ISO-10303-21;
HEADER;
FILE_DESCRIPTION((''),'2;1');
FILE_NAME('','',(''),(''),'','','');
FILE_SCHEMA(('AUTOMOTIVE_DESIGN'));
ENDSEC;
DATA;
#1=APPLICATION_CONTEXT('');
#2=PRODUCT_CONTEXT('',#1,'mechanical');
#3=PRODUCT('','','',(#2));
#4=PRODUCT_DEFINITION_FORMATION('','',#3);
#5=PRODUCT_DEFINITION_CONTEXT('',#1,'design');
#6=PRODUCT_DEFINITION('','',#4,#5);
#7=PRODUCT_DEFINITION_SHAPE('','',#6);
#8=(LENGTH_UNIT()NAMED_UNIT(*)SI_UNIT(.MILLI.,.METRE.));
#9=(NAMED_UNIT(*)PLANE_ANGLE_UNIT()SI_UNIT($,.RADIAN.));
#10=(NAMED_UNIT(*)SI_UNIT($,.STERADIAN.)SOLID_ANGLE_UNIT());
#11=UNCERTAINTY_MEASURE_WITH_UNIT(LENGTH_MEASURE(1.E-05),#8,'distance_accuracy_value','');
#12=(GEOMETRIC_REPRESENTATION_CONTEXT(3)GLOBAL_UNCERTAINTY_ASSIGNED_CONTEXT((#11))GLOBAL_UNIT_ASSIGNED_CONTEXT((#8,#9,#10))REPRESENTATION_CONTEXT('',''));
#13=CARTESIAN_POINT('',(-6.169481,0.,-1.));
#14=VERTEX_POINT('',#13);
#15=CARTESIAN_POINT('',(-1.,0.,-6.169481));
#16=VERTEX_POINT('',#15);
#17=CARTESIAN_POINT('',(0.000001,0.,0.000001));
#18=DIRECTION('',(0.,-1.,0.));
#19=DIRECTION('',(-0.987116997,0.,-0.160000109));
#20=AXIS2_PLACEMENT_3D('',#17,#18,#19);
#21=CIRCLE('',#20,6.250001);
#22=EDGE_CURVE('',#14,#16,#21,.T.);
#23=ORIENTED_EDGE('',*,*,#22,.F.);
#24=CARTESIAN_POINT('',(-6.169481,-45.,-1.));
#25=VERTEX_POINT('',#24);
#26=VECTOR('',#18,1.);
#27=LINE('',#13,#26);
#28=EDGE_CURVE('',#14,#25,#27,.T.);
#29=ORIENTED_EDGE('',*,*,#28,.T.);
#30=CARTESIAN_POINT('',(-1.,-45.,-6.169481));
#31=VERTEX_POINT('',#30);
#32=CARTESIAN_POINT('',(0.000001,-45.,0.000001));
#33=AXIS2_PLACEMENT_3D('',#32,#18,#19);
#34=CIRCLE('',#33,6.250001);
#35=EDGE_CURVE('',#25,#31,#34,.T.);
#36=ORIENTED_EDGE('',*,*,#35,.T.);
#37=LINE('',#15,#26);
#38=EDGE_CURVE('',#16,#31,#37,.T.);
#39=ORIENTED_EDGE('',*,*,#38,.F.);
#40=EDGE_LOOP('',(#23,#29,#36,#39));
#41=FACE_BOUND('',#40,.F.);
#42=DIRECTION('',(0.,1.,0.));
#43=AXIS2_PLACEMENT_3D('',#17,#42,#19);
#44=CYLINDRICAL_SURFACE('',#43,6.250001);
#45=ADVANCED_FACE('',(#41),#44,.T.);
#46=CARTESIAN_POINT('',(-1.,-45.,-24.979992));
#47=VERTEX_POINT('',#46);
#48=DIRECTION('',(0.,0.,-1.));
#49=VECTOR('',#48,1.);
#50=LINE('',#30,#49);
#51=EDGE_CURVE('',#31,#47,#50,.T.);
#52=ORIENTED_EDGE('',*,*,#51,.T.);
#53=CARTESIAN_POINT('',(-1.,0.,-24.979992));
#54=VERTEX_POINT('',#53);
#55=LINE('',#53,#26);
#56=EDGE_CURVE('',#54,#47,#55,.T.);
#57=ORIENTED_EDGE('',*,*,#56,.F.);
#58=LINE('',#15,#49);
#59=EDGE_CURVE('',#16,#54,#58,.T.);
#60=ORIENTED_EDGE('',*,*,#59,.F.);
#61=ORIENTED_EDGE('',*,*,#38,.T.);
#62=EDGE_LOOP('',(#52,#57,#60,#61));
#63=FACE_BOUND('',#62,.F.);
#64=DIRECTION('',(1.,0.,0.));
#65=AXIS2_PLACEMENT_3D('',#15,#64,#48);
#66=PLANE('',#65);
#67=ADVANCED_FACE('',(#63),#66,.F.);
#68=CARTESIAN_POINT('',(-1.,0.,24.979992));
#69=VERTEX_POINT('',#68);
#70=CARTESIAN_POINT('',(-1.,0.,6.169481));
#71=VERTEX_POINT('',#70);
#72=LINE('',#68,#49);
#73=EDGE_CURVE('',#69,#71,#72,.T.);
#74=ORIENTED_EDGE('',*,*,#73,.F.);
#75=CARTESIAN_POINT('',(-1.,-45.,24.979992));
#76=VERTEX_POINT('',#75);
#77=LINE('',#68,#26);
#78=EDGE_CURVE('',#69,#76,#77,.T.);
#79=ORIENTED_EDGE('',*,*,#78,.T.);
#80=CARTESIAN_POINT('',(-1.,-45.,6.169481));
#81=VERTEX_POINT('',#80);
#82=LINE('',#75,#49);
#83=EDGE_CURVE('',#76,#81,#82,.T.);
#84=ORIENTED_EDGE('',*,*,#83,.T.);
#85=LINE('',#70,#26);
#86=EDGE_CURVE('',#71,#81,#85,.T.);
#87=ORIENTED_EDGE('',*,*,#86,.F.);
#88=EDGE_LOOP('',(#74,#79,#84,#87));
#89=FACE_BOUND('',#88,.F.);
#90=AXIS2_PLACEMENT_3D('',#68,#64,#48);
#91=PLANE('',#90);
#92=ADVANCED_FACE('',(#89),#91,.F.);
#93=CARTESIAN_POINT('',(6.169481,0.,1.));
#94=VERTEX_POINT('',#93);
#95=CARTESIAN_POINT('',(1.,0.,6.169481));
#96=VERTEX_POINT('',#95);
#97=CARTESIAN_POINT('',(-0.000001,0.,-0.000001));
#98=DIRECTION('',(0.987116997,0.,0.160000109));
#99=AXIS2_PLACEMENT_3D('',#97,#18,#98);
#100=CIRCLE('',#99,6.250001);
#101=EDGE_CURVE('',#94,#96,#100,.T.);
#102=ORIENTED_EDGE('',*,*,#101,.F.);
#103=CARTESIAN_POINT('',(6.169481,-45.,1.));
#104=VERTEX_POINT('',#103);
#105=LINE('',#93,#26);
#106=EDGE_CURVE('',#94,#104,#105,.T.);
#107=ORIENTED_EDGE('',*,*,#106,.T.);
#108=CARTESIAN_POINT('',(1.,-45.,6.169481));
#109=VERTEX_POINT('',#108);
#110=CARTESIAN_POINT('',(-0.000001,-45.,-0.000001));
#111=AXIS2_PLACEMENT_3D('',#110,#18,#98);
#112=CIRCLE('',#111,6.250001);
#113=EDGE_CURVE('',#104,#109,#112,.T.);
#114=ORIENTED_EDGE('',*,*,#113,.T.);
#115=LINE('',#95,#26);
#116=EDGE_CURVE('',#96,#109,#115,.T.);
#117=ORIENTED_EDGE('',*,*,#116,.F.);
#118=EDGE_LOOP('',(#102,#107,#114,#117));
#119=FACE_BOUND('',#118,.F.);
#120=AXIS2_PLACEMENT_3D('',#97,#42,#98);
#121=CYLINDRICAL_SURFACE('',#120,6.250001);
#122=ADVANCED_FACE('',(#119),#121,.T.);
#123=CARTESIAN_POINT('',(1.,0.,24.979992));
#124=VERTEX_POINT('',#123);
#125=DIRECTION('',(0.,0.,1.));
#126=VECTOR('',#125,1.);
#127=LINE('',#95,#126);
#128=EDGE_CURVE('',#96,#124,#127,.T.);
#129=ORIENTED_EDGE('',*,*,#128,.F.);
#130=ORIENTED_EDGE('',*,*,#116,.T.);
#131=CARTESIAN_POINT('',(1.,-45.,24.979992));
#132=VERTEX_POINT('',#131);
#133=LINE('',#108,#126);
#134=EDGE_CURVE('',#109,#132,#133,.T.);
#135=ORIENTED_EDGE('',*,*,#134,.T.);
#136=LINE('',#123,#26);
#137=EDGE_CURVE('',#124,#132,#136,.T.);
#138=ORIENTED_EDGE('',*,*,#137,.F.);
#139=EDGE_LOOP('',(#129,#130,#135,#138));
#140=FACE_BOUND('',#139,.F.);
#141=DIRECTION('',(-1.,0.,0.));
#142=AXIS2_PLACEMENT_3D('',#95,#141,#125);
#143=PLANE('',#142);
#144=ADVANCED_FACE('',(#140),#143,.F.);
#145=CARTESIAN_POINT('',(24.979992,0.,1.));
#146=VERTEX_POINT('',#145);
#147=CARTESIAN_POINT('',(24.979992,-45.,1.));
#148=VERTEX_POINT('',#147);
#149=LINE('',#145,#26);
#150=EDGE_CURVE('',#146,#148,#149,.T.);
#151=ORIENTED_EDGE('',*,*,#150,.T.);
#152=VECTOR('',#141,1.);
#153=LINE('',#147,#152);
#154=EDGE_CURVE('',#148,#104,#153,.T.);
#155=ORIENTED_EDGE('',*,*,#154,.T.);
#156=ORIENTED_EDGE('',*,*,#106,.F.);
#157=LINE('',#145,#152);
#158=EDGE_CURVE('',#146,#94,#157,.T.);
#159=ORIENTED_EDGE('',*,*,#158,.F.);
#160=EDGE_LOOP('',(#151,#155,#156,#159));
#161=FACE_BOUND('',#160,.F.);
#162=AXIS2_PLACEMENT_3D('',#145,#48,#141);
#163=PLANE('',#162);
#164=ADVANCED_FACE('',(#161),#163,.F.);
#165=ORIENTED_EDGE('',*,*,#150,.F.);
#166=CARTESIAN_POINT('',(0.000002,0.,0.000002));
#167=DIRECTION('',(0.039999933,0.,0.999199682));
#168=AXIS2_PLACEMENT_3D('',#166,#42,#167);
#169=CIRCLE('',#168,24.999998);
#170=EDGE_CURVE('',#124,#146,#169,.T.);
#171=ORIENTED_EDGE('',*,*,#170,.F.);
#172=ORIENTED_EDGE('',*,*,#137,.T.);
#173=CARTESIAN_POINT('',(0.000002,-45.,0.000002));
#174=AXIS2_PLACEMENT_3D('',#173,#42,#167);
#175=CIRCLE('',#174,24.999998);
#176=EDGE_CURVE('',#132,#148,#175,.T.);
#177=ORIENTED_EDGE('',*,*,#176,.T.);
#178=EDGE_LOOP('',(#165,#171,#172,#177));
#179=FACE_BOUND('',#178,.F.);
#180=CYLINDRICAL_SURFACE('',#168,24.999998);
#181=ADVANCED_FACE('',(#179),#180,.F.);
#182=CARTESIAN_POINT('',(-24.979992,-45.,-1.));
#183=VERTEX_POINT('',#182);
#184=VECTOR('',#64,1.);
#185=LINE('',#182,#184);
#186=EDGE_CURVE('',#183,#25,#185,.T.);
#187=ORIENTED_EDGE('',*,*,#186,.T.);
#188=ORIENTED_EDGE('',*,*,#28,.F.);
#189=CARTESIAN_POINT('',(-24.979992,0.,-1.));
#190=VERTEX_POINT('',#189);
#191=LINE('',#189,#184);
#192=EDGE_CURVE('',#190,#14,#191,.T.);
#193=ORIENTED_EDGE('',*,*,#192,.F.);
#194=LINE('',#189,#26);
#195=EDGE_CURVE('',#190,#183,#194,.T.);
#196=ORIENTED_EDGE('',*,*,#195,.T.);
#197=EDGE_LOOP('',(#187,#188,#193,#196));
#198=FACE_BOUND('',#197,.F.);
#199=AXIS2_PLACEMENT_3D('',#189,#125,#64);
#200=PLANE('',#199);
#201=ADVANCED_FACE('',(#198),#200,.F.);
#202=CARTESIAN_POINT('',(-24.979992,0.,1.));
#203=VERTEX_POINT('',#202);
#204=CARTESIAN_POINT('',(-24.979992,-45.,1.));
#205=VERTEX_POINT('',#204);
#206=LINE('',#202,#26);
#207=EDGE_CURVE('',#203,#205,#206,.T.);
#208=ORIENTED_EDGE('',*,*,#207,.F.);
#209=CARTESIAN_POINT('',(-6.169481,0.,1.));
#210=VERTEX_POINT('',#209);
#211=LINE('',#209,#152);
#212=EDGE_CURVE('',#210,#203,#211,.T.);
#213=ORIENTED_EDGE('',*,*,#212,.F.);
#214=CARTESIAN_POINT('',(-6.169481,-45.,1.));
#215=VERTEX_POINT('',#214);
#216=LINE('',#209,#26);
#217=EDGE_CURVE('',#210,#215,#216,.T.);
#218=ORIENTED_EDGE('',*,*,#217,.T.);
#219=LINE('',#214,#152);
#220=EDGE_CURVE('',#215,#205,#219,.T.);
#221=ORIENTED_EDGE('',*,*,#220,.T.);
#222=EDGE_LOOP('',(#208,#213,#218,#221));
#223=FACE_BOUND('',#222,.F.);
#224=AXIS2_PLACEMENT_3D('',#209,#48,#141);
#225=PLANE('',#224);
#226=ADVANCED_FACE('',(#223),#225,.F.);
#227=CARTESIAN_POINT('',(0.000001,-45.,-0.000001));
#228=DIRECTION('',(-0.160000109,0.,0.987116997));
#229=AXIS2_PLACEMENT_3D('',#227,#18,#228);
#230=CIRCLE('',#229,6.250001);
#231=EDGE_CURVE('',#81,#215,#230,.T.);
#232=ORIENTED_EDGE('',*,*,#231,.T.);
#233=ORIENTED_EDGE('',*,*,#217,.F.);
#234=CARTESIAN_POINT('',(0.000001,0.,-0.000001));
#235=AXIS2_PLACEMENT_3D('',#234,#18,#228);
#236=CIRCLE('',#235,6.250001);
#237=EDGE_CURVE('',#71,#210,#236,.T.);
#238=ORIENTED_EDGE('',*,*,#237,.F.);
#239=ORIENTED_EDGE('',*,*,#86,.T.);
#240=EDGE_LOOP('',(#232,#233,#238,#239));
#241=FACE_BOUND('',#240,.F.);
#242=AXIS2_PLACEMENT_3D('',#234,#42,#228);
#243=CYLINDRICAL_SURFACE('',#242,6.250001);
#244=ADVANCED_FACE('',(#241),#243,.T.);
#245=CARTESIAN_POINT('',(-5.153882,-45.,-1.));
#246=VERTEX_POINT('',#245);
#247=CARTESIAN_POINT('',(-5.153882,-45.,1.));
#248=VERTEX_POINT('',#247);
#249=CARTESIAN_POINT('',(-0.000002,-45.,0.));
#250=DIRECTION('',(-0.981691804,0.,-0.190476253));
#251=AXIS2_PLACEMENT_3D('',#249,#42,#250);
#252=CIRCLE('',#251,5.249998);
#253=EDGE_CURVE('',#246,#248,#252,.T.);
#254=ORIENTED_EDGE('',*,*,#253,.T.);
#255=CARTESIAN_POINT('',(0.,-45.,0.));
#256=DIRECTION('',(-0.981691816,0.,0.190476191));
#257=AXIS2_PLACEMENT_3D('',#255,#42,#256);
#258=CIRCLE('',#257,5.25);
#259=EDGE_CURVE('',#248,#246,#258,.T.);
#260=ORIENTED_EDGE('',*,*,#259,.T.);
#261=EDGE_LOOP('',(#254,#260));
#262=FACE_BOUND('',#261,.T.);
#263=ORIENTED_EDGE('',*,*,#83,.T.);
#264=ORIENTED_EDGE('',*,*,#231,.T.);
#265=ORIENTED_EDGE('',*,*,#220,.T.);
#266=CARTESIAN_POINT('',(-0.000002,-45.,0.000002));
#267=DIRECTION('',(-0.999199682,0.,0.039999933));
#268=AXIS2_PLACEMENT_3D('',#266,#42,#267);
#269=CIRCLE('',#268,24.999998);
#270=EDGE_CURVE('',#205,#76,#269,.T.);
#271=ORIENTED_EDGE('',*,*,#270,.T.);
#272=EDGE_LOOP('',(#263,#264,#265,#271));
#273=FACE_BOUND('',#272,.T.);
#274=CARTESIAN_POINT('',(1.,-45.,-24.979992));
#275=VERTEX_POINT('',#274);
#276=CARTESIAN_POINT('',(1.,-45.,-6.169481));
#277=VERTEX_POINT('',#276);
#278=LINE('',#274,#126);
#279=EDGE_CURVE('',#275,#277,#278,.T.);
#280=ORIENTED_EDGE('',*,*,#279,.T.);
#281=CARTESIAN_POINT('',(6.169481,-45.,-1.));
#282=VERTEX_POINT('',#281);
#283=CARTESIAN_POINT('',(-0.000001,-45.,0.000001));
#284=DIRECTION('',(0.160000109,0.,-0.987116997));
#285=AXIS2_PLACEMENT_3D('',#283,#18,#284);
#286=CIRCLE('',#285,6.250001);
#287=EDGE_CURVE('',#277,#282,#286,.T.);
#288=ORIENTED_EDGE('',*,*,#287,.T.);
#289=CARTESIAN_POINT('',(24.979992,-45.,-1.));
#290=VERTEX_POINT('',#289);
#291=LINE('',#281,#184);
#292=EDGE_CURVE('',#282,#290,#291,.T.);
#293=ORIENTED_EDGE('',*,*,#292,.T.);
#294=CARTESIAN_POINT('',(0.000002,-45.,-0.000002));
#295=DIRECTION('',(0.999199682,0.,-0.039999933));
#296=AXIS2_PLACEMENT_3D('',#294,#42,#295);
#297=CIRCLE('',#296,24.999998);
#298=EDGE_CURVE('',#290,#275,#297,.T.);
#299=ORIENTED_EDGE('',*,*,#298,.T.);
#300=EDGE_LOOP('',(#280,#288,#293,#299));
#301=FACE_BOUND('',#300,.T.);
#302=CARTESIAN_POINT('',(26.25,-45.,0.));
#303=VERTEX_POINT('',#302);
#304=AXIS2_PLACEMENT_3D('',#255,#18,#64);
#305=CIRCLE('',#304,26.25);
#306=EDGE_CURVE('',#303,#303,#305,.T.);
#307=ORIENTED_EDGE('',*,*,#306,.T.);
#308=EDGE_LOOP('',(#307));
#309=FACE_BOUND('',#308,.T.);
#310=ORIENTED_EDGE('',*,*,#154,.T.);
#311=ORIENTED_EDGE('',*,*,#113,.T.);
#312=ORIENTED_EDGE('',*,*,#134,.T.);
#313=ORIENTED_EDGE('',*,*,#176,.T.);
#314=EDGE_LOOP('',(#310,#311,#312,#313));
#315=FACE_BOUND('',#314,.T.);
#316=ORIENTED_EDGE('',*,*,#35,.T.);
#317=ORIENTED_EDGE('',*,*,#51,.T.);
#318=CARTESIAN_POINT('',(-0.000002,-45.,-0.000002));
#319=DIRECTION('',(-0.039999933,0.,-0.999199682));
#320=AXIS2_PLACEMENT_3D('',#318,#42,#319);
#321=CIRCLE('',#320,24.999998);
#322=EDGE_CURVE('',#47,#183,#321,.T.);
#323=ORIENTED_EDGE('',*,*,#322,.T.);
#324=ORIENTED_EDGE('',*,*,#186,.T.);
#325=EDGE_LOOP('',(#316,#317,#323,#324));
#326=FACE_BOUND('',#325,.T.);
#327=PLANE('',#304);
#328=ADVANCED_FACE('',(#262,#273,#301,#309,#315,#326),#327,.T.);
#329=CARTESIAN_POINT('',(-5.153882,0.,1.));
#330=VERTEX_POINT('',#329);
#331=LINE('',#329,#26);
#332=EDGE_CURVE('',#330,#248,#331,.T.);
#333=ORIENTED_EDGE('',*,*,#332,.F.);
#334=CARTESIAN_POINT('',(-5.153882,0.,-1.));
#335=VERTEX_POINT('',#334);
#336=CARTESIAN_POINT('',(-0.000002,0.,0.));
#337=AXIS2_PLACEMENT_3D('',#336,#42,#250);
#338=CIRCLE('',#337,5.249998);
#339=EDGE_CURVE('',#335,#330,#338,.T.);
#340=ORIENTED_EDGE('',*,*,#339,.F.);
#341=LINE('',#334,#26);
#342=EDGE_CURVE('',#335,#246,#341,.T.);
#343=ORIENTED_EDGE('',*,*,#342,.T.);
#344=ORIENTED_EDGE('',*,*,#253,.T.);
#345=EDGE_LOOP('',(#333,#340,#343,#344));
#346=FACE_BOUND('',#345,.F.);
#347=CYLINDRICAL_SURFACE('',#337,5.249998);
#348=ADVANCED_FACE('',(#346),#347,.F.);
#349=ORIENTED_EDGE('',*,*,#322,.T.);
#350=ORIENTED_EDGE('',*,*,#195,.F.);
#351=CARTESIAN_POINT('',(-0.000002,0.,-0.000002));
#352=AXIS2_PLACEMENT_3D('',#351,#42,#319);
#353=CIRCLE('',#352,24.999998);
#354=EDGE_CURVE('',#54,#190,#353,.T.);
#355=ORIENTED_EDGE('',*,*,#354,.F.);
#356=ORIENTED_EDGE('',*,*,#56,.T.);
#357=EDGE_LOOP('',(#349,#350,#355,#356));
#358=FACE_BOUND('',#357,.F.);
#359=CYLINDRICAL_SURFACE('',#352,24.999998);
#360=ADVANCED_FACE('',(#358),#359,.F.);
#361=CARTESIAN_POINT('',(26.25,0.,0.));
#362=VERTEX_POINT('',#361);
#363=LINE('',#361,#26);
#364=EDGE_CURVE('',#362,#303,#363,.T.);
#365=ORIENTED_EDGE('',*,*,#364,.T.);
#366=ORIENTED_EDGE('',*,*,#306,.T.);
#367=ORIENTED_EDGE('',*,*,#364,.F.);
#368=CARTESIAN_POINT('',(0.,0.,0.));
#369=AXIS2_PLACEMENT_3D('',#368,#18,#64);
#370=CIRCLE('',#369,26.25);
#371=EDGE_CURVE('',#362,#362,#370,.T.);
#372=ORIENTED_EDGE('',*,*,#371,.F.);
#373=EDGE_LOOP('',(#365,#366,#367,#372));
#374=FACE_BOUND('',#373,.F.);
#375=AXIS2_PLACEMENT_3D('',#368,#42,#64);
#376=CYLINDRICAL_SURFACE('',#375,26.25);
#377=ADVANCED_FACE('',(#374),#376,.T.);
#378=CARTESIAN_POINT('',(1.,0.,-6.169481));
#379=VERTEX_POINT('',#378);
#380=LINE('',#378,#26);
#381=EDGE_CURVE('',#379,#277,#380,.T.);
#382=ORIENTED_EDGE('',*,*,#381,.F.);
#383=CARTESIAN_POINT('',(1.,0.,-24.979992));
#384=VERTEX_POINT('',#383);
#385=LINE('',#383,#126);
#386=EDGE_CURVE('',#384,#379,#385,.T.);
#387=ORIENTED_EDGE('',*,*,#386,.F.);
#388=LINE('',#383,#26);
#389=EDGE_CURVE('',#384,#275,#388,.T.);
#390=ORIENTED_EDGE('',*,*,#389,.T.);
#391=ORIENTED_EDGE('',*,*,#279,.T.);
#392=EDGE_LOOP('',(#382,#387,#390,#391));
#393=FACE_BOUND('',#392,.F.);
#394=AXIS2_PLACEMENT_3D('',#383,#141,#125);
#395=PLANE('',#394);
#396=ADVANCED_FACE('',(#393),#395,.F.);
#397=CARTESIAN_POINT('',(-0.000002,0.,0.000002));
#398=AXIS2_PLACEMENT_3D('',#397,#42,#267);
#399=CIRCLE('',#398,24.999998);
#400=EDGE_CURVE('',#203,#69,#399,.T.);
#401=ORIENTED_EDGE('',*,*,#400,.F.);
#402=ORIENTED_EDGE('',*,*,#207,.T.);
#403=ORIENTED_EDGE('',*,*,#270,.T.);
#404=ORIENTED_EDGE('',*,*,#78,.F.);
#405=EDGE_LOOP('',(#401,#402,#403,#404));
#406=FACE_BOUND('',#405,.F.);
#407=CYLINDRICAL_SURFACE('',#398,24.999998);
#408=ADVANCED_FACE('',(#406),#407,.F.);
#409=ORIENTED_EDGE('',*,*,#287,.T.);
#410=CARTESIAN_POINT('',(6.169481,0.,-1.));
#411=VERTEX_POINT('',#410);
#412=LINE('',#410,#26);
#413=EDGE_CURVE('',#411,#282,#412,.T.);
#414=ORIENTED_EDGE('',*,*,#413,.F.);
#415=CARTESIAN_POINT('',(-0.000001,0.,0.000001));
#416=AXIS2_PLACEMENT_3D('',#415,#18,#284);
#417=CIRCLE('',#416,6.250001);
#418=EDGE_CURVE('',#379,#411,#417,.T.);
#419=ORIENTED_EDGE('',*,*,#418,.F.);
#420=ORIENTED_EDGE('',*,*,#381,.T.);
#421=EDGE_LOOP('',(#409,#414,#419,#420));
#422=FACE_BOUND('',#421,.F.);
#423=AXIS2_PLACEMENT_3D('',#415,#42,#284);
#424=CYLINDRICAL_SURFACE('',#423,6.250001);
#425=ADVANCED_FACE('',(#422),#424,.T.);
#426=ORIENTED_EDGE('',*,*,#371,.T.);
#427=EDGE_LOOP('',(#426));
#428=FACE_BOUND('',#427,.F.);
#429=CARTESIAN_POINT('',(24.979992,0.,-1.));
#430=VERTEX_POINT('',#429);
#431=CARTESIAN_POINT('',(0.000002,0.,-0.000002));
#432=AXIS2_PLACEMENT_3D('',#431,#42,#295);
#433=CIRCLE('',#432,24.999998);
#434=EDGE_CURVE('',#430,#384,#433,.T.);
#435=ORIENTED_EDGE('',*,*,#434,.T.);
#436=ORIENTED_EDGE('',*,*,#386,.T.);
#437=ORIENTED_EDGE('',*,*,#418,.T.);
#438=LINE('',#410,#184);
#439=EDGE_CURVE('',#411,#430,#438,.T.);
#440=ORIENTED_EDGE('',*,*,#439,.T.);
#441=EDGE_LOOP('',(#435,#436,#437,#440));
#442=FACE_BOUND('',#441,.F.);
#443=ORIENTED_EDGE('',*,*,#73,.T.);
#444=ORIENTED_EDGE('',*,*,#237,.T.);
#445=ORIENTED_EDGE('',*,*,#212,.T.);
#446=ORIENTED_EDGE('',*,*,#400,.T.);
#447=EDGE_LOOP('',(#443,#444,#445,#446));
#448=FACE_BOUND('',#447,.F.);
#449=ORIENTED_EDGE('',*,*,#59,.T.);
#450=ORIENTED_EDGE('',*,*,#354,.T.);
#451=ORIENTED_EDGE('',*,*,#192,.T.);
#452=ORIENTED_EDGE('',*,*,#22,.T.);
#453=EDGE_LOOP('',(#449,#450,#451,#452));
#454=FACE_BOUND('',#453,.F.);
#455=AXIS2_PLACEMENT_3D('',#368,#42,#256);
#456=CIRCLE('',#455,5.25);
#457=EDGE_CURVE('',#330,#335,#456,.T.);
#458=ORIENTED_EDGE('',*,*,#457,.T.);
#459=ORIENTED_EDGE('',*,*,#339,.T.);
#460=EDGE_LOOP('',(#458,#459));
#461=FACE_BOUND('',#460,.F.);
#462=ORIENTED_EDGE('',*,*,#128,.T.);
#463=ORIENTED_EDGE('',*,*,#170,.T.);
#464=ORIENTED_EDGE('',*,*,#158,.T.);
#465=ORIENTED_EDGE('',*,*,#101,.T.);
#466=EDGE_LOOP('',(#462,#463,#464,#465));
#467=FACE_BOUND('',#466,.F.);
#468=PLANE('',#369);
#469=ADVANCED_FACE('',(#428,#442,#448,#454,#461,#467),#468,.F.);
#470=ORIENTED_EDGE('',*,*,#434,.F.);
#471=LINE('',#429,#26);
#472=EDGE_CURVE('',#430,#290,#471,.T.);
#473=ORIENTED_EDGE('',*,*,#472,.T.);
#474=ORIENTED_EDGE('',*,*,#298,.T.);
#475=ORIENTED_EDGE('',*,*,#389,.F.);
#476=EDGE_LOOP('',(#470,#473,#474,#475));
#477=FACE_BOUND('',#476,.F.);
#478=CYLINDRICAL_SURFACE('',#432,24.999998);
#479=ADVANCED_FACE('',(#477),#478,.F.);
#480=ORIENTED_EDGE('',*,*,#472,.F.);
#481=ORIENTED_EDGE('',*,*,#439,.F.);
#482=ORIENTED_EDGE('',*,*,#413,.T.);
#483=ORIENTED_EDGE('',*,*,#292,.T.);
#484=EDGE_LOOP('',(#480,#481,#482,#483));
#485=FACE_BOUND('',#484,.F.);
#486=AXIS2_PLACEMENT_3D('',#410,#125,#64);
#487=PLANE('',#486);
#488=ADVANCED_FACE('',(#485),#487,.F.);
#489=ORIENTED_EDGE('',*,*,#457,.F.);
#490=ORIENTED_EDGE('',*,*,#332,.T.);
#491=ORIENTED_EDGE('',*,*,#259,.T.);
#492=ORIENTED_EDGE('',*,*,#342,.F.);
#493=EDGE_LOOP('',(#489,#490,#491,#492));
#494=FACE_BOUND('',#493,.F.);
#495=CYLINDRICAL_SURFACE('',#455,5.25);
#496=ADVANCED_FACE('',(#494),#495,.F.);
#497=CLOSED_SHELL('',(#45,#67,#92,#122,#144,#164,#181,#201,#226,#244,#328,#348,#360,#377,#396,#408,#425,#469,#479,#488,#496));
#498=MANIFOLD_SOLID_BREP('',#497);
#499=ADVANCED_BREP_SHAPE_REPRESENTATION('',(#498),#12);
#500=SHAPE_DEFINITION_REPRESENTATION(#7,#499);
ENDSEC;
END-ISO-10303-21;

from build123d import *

# Parameters (mm, degrees)
F0_R     = 26.25
F1_DEPTH = 45


with BuildPart() as f1:
    # F0 (on Front) → F1 (new body)
    with BuildSketch(Plane.XZ):
        Circle(F0_R)
        with BuildLine():
            ThreePointArc((-1, -24.979992), (-17.67767, -17.67767), (-24.979992, -1))
            Line((-24.979992, -1), (-6.169481, -1))
            ThreePointArc((-6.169481, -1), (-4.419417, -4.419417), (-1, -6.169481))
            Line((-1, -6.169481), (-1, -24.979992))
        make_face(mode=Mode.SUBTRACT)
        with BuildLine():
            Line((1, -24.979992), (1, -6.169481))
            ThreePointArc((1, -6.169481), (4.419417, -4.419417), (6.169481, -1))
            Line((6.169481, -1), (24.979992, -1))
            ThreePointArc((24.979992, -1), (17.67767, -17.67767), (1, -24.979992))
        make_face(mode=Mode.SUBTRACT)
        with BuildLine():
            Line((-1, 24.979992), (-1, 6.169481))
            ThreePointArc((-1, 6.169481), (-4.419417, 4.419417), (-6.169481, 1))
            Line((-6.169481, 1), (-24.979992, 1))
            ThreePointArc((-24.979992, 1), (-17.67767, 17.67767), (-1, 24.979992))
        make_face(mode=Mode.SUBTRACT)
        with BuildLine():
            ThreePointArc((-5.153882, 1), (5.25, 0), (-5.153882, -1))
            ThreePointArc((-5.153882, -1), (-5.25, 0), (-5.153882, 1))
        make_face(mode=Mode.SUBTRACT)
        with BuildLine():
            ThreePointArc((6.169481, 1), (4.419417, 4.419417), (1, 6.169481))
            Line((1, 6.169481), (1, 24.979992))
            ThreePointArc((1, 24.979992), (17.67767, 17.67767), (24.979992, 1))
            Line((24.979992, 1), (6.169481, 1))
        make_face(mode=Mode.SUBTRACT)
    extrude(amount=F1_DEPTH)


solid = f1.part
